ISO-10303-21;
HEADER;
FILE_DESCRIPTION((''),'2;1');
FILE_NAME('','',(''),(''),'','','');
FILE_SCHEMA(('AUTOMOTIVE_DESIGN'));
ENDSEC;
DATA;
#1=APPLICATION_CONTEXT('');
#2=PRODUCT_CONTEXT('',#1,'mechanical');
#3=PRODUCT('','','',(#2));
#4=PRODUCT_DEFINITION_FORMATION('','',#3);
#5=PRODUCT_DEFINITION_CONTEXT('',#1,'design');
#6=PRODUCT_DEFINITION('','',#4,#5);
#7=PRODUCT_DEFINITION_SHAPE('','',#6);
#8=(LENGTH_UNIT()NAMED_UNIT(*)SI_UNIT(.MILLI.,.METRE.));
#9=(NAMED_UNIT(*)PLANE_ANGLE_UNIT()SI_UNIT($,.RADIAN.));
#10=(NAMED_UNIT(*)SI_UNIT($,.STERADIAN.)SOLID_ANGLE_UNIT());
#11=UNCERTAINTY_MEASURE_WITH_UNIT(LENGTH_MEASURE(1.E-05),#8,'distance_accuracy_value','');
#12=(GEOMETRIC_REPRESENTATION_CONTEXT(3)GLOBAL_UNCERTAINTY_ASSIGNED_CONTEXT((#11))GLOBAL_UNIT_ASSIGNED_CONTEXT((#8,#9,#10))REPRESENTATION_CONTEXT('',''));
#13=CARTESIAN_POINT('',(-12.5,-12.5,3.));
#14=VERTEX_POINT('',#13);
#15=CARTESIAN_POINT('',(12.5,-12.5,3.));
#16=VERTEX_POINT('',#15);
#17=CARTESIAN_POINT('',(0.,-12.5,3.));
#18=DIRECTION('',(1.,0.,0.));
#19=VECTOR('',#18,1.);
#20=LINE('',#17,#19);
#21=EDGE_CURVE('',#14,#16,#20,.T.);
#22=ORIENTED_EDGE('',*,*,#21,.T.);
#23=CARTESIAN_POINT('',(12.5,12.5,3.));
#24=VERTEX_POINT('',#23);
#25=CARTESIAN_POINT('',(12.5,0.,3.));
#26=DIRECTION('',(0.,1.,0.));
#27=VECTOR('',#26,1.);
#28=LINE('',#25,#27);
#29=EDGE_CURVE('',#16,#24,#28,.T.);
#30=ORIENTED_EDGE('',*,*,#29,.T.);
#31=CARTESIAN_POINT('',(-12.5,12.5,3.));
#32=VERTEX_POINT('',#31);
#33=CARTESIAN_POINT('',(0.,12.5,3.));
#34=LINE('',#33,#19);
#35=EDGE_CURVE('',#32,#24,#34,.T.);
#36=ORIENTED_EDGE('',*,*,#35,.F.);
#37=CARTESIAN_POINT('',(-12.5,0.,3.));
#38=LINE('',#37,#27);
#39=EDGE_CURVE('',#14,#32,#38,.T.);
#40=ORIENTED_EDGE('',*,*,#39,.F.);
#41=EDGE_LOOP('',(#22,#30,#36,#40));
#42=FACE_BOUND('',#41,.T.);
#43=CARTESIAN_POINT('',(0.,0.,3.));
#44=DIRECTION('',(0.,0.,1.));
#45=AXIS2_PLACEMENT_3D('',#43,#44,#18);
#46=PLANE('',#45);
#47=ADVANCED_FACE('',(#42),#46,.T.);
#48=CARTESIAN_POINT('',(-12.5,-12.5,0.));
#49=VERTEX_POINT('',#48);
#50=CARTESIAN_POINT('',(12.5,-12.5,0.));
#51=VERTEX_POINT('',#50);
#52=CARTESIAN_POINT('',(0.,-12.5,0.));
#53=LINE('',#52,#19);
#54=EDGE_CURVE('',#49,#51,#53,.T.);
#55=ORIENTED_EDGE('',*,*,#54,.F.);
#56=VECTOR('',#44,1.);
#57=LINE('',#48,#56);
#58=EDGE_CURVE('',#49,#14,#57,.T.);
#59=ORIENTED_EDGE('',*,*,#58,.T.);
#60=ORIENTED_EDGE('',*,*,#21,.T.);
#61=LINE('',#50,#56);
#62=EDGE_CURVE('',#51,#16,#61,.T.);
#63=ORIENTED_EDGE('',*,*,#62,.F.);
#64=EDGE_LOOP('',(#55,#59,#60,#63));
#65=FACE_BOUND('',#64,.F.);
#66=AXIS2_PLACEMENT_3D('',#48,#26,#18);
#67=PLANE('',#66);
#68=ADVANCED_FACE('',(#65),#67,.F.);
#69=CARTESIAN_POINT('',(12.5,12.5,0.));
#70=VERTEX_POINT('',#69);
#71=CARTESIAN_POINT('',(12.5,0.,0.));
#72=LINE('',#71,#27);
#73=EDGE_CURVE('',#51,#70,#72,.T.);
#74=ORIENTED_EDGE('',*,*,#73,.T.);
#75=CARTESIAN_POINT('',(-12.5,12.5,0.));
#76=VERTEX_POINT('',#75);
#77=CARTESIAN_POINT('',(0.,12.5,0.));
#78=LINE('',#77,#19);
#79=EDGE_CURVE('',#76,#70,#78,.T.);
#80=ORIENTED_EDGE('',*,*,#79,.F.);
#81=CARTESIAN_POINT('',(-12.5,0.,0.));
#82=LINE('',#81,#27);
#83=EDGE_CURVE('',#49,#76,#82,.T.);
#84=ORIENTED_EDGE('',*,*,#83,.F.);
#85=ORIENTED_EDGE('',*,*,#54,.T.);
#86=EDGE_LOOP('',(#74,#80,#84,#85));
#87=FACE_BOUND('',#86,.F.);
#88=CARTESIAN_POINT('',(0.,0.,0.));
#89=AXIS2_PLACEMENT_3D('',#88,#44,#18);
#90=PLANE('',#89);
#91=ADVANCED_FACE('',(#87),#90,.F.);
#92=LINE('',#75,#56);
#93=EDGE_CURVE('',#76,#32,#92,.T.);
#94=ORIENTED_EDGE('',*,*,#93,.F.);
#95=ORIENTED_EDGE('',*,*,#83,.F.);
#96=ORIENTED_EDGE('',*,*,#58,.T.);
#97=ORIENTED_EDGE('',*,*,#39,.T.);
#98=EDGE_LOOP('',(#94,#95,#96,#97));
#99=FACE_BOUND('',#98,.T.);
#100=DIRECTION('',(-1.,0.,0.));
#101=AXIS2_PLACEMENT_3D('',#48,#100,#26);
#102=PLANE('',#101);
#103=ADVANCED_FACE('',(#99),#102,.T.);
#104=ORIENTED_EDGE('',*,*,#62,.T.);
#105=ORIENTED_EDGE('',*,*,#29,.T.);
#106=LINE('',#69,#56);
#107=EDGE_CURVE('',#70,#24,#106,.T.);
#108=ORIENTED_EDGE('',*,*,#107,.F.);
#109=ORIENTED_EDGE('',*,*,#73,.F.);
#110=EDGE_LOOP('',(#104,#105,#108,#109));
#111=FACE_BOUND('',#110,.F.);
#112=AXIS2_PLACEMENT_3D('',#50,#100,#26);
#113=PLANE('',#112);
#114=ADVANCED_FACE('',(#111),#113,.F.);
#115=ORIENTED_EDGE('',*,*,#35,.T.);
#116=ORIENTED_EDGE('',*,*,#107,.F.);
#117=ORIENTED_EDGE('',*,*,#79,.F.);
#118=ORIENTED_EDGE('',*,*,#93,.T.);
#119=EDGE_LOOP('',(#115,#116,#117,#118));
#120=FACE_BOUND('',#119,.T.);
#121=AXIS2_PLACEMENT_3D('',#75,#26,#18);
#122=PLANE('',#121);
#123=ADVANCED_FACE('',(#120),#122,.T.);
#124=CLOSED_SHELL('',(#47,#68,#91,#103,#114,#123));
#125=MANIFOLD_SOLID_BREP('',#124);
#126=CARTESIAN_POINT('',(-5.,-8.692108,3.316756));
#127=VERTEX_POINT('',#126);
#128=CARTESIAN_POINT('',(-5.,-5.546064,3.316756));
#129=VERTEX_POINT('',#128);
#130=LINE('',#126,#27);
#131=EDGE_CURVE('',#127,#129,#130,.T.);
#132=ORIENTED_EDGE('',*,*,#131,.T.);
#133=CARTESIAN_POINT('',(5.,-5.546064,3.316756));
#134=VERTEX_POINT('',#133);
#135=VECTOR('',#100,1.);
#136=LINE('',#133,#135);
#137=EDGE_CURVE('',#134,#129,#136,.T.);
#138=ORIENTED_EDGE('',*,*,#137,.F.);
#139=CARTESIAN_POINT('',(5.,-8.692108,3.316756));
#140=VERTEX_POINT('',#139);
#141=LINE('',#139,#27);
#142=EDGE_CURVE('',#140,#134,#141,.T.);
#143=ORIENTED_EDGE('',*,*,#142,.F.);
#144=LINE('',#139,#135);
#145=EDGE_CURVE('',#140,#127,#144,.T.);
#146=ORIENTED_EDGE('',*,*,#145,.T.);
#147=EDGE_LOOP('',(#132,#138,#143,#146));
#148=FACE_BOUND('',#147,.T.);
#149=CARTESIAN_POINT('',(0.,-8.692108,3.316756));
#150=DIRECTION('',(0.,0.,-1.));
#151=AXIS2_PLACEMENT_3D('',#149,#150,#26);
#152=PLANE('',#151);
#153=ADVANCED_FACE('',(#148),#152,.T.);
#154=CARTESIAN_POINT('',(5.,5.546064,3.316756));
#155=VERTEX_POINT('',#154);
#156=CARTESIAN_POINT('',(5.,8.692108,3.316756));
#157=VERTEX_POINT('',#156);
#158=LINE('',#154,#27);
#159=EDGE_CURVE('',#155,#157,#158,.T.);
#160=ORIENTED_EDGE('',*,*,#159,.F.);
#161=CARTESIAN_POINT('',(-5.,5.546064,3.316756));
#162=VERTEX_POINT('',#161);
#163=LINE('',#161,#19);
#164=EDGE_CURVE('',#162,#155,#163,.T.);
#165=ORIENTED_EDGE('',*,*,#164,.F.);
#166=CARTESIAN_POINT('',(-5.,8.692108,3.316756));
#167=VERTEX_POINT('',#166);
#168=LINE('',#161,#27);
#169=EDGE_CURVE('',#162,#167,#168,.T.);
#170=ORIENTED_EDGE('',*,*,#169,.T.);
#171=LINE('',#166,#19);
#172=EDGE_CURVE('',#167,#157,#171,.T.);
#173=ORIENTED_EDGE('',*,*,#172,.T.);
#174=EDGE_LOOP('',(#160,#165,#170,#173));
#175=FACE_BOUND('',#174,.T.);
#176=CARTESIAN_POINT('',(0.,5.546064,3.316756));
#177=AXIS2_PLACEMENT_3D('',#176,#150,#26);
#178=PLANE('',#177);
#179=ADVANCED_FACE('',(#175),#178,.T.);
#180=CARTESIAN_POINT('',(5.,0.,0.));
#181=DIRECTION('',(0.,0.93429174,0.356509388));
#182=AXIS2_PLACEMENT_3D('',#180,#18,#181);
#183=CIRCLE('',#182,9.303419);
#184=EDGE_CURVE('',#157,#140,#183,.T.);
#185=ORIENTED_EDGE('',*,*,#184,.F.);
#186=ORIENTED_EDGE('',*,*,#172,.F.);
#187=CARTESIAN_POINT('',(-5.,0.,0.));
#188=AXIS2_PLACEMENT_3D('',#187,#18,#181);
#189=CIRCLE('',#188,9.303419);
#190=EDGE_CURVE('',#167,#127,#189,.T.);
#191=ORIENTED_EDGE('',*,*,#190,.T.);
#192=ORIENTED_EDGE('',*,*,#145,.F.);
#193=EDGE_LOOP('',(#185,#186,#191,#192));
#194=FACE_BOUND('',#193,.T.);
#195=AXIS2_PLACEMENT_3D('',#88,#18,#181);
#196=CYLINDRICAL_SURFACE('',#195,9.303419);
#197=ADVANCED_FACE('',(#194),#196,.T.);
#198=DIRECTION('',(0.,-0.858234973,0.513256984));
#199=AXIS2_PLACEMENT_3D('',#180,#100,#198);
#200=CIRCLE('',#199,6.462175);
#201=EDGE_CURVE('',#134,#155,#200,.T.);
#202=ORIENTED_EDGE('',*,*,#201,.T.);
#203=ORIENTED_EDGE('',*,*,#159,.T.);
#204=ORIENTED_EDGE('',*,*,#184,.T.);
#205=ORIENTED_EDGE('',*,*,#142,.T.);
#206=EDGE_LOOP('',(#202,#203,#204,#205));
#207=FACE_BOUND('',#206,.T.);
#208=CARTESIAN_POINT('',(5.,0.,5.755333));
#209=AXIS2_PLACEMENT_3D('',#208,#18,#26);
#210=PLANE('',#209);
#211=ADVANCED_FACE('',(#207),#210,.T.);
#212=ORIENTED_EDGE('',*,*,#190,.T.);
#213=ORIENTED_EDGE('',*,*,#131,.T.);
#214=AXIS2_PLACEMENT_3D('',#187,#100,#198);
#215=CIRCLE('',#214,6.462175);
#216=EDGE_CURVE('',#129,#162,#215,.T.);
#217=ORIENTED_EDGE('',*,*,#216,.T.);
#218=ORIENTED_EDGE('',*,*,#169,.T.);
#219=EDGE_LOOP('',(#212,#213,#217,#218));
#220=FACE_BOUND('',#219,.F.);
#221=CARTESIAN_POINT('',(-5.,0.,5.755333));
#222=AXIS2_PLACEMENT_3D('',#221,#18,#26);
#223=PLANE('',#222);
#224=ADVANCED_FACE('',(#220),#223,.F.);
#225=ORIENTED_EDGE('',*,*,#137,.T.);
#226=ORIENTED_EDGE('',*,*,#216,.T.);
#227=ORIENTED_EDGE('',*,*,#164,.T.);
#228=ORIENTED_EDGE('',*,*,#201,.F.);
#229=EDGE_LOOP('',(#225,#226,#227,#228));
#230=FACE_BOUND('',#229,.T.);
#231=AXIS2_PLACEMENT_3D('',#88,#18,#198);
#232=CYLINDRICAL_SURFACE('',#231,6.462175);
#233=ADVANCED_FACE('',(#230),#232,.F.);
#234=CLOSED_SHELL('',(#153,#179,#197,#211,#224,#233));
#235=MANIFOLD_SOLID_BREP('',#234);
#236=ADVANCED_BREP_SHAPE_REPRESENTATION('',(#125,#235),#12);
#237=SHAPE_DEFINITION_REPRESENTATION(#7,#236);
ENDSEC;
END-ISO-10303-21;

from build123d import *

# Parameters (mm, degrees)
F0_W     = 25
F0_H     = 25
F1_DEPTH = 3
F3_DEPTH = 5


with BuildPart() as f1:
    # F0 (on Top) → F1 (new body)
    with BuildSketch(Plane.XY):
        Rectangle(F0_W, F0_H)
    extrude(amount=F1_DEPTH)


with BuildPart() as f3:
    # F2 (on Right) → F3 (new body, symmetric)
    with BuildSketch(Plane.YZ):
        with BuildLine():
            ThreePointArc((-5.5460641964, 3.3167562178), (0, 6.4621745472), (5.5460641964, 3.3167562178))
            Line((5.5460641964, 3.3167562178), (8.6921075266, 3.3167562178))
            ThreePointArc((8.6921075266, 3.3167562178), (0, 9.3034189985), (-8.6921075266, 3.3167562178))
            Line((-8.6921075266, 3.3167562178), (-5.5460641964, 3.3167562178))
        make_face()
    extrude(amount=F3_DEPTH, both=True)


solid = Compound([f1.part, f3.part])
